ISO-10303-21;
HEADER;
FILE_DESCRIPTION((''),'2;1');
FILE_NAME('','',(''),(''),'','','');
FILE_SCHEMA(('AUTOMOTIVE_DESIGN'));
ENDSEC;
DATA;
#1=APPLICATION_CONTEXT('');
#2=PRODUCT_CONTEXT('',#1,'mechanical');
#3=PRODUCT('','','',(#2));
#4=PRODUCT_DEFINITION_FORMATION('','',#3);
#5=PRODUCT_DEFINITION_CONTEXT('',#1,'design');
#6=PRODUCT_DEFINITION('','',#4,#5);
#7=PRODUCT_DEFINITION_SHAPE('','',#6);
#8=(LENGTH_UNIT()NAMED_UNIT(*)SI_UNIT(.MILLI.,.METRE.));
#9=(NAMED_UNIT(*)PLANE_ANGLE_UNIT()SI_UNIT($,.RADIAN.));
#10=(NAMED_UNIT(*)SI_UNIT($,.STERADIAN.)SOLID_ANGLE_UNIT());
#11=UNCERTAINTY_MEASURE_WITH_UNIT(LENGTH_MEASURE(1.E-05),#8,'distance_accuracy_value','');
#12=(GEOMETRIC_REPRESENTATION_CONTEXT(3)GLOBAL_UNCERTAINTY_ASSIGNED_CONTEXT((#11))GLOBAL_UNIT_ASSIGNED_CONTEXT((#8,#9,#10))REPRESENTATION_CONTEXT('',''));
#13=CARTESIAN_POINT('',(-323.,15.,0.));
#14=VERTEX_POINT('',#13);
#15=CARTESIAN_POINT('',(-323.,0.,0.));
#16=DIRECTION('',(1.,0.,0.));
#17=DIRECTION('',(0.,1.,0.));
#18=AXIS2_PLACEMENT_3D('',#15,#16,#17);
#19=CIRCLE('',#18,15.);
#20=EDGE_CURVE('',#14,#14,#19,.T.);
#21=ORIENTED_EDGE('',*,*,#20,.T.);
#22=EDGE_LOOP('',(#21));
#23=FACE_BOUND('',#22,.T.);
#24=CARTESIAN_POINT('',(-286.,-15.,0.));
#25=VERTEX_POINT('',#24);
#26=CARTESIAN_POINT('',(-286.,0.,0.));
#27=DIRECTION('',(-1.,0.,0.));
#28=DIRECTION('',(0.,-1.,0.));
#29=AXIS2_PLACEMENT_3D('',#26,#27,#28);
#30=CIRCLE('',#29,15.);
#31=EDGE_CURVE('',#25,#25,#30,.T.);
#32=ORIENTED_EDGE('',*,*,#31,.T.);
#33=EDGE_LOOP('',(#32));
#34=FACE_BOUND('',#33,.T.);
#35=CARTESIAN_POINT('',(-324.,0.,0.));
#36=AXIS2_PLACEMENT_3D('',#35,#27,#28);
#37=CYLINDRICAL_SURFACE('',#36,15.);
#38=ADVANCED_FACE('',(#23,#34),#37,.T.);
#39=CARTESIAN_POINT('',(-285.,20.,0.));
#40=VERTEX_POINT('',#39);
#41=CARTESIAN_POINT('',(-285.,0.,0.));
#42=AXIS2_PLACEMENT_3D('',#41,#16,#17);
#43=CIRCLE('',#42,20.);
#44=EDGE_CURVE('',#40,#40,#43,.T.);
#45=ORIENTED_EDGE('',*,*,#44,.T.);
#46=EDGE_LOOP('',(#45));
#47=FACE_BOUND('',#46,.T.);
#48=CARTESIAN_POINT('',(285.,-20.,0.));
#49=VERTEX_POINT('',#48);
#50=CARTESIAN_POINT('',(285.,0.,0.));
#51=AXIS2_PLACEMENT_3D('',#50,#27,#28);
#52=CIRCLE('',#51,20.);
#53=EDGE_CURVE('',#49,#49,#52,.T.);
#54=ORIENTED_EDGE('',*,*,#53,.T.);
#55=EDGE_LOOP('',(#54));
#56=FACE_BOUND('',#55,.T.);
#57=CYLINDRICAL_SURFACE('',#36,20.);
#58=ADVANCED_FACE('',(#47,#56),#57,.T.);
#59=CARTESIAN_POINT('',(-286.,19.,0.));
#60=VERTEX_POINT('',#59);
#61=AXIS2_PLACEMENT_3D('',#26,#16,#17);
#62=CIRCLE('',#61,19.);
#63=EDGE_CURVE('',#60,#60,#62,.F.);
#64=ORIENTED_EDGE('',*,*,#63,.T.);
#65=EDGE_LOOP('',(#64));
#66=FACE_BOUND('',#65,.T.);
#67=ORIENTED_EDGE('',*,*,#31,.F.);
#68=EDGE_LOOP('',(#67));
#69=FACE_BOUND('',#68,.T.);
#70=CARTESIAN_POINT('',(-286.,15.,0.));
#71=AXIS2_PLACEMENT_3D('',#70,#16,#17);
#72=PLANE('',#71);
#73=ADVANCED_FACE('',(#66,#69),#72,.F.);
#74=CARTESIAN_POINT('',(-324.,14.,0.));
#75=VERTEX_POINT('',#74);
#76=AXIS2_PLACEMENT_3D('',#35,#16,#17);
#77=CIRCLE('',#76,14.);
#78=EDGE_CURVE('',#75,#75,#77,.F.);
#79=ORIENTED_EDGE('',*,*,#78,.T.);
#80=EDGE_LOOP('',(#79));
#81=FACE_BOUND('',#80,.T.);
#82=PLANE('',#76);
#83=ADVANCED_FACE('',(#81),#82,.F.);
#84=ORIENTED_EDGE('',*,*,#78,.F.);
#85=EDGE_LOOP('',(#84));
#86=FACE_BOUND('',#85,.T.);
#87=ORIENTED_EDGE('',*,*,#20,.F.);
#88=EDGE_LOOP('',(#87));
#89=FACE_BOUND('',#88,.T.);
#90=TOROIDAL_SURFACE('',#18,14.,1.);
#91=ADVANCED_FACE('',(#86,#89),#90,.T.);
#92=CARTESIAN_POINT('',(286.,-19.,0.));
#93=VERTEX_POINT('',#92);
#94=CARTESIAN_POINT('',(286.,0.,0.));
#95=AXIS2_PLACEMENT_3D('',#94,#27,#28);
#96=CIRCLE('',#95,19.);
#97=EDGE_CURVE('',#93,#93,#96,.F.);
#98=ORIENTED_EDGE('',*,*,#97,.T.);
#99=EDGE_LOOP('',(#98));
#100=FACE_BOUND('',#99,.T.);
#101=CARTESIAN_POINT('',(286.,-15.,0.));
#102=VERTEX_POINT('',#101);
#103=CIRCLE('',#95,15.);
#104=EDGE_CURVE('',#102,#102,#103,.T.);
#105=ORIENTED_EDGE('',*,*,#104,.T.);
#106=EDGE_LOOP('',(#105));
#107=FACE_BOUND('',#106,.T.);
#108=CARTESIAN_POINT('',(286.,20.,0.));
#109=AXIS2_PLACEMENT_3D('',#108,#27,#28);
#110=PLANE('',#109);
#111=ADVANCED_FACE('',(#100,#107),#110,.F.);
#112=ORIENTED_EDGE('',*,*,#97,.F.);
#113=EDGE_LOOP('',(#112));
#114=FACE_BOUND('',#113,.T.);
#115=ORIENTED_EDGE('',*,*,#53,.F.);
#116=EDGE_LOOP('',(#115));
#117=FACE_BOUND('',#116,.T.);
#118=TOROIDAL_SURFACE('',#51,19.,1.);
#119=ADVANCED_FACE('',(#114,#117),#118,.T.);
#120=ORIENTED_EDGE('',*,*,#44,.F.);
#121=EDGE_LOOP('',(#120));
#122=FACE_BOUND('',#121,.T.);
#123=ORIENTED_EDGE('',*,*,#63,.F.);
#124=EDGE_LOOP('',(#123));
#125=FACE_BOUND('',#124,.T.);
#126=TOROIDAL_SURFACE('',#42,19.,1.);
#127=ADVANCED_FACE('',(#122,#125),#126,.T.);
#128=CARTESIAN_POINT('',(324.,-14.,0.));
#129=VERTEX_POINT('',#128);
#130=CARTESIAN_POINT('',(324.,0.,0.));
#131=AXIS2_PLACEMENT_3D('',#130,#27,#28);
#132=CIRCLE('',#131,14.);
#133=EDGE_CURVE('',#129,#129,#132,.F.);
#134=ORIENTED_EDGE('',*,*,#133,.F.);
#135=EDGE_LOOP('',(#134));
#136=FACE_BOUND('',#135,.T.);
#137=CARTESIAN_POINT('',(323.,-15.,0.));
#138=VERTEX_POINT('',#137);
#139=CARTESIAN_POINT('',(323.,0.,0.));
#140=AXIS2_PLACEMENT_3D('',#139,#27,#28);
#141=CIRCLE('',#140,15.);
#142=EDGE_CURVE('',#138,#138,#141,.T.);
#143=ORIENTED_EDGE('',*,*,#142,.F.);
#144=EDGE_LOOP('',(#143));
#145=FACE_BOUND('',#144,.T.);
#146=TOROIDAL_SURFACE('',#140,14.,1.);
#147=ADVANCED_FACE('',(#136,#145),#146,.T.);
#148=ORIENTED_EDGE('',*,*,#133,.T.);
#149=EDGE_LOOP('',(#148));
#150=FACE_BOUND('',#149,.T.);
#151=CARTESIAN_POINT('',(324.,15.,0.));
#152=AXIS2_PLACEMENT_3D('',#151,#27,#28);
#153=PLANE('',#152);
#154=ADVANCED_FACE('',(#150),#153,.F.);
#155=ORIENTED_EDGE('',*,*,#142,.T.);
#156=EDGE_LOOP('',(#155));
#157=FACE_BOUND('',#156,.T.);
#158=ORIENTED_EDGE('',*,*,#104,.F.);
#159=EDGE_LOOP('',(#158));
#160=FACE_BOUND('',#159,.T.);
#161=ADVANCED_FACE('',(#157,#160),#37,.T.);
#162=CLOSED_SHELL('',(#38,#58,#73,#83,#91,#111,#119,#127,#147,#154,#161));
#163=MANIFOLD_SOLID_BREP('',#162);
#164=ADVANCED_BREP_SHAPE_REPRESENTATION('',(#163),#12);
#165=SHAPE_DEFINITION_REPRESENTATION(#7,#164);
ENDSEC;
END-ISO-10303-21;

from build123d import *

# Parameters (mm, degrees)
RADYUS1_R = 1


with BuildPart() as part:
    # Çizim1 → Döndür1 (revolve)
    with BuildSketch(Plane.XY, mode=Mode.PRIVATE) as d_nd_r1_sk:
        Polygon((-324, 0), (-324, 15), (-286, 15), (-286, 20), (286, 20), (286, 15), (324, 15), (324, 0), align=None)
    revolve(d_nd_r1_sk.sketch.rotate(Axis((-324, 0, 0), (1, 0, 0)), 180), axis=Axis((-324, 0, 0), (1, 0, 0)))

    # Radyus1
    radyus1_edges = [part.edges().sort_by_distance(p)[0] for p in [
        (324, 15, 0),
        (286, 20, 0),
        (-286, 20, 0),
        (-324, 15, 0),
    ]]
    fillet(radyus1_edges, radius=RADYUS1_R)


solid = part.part
